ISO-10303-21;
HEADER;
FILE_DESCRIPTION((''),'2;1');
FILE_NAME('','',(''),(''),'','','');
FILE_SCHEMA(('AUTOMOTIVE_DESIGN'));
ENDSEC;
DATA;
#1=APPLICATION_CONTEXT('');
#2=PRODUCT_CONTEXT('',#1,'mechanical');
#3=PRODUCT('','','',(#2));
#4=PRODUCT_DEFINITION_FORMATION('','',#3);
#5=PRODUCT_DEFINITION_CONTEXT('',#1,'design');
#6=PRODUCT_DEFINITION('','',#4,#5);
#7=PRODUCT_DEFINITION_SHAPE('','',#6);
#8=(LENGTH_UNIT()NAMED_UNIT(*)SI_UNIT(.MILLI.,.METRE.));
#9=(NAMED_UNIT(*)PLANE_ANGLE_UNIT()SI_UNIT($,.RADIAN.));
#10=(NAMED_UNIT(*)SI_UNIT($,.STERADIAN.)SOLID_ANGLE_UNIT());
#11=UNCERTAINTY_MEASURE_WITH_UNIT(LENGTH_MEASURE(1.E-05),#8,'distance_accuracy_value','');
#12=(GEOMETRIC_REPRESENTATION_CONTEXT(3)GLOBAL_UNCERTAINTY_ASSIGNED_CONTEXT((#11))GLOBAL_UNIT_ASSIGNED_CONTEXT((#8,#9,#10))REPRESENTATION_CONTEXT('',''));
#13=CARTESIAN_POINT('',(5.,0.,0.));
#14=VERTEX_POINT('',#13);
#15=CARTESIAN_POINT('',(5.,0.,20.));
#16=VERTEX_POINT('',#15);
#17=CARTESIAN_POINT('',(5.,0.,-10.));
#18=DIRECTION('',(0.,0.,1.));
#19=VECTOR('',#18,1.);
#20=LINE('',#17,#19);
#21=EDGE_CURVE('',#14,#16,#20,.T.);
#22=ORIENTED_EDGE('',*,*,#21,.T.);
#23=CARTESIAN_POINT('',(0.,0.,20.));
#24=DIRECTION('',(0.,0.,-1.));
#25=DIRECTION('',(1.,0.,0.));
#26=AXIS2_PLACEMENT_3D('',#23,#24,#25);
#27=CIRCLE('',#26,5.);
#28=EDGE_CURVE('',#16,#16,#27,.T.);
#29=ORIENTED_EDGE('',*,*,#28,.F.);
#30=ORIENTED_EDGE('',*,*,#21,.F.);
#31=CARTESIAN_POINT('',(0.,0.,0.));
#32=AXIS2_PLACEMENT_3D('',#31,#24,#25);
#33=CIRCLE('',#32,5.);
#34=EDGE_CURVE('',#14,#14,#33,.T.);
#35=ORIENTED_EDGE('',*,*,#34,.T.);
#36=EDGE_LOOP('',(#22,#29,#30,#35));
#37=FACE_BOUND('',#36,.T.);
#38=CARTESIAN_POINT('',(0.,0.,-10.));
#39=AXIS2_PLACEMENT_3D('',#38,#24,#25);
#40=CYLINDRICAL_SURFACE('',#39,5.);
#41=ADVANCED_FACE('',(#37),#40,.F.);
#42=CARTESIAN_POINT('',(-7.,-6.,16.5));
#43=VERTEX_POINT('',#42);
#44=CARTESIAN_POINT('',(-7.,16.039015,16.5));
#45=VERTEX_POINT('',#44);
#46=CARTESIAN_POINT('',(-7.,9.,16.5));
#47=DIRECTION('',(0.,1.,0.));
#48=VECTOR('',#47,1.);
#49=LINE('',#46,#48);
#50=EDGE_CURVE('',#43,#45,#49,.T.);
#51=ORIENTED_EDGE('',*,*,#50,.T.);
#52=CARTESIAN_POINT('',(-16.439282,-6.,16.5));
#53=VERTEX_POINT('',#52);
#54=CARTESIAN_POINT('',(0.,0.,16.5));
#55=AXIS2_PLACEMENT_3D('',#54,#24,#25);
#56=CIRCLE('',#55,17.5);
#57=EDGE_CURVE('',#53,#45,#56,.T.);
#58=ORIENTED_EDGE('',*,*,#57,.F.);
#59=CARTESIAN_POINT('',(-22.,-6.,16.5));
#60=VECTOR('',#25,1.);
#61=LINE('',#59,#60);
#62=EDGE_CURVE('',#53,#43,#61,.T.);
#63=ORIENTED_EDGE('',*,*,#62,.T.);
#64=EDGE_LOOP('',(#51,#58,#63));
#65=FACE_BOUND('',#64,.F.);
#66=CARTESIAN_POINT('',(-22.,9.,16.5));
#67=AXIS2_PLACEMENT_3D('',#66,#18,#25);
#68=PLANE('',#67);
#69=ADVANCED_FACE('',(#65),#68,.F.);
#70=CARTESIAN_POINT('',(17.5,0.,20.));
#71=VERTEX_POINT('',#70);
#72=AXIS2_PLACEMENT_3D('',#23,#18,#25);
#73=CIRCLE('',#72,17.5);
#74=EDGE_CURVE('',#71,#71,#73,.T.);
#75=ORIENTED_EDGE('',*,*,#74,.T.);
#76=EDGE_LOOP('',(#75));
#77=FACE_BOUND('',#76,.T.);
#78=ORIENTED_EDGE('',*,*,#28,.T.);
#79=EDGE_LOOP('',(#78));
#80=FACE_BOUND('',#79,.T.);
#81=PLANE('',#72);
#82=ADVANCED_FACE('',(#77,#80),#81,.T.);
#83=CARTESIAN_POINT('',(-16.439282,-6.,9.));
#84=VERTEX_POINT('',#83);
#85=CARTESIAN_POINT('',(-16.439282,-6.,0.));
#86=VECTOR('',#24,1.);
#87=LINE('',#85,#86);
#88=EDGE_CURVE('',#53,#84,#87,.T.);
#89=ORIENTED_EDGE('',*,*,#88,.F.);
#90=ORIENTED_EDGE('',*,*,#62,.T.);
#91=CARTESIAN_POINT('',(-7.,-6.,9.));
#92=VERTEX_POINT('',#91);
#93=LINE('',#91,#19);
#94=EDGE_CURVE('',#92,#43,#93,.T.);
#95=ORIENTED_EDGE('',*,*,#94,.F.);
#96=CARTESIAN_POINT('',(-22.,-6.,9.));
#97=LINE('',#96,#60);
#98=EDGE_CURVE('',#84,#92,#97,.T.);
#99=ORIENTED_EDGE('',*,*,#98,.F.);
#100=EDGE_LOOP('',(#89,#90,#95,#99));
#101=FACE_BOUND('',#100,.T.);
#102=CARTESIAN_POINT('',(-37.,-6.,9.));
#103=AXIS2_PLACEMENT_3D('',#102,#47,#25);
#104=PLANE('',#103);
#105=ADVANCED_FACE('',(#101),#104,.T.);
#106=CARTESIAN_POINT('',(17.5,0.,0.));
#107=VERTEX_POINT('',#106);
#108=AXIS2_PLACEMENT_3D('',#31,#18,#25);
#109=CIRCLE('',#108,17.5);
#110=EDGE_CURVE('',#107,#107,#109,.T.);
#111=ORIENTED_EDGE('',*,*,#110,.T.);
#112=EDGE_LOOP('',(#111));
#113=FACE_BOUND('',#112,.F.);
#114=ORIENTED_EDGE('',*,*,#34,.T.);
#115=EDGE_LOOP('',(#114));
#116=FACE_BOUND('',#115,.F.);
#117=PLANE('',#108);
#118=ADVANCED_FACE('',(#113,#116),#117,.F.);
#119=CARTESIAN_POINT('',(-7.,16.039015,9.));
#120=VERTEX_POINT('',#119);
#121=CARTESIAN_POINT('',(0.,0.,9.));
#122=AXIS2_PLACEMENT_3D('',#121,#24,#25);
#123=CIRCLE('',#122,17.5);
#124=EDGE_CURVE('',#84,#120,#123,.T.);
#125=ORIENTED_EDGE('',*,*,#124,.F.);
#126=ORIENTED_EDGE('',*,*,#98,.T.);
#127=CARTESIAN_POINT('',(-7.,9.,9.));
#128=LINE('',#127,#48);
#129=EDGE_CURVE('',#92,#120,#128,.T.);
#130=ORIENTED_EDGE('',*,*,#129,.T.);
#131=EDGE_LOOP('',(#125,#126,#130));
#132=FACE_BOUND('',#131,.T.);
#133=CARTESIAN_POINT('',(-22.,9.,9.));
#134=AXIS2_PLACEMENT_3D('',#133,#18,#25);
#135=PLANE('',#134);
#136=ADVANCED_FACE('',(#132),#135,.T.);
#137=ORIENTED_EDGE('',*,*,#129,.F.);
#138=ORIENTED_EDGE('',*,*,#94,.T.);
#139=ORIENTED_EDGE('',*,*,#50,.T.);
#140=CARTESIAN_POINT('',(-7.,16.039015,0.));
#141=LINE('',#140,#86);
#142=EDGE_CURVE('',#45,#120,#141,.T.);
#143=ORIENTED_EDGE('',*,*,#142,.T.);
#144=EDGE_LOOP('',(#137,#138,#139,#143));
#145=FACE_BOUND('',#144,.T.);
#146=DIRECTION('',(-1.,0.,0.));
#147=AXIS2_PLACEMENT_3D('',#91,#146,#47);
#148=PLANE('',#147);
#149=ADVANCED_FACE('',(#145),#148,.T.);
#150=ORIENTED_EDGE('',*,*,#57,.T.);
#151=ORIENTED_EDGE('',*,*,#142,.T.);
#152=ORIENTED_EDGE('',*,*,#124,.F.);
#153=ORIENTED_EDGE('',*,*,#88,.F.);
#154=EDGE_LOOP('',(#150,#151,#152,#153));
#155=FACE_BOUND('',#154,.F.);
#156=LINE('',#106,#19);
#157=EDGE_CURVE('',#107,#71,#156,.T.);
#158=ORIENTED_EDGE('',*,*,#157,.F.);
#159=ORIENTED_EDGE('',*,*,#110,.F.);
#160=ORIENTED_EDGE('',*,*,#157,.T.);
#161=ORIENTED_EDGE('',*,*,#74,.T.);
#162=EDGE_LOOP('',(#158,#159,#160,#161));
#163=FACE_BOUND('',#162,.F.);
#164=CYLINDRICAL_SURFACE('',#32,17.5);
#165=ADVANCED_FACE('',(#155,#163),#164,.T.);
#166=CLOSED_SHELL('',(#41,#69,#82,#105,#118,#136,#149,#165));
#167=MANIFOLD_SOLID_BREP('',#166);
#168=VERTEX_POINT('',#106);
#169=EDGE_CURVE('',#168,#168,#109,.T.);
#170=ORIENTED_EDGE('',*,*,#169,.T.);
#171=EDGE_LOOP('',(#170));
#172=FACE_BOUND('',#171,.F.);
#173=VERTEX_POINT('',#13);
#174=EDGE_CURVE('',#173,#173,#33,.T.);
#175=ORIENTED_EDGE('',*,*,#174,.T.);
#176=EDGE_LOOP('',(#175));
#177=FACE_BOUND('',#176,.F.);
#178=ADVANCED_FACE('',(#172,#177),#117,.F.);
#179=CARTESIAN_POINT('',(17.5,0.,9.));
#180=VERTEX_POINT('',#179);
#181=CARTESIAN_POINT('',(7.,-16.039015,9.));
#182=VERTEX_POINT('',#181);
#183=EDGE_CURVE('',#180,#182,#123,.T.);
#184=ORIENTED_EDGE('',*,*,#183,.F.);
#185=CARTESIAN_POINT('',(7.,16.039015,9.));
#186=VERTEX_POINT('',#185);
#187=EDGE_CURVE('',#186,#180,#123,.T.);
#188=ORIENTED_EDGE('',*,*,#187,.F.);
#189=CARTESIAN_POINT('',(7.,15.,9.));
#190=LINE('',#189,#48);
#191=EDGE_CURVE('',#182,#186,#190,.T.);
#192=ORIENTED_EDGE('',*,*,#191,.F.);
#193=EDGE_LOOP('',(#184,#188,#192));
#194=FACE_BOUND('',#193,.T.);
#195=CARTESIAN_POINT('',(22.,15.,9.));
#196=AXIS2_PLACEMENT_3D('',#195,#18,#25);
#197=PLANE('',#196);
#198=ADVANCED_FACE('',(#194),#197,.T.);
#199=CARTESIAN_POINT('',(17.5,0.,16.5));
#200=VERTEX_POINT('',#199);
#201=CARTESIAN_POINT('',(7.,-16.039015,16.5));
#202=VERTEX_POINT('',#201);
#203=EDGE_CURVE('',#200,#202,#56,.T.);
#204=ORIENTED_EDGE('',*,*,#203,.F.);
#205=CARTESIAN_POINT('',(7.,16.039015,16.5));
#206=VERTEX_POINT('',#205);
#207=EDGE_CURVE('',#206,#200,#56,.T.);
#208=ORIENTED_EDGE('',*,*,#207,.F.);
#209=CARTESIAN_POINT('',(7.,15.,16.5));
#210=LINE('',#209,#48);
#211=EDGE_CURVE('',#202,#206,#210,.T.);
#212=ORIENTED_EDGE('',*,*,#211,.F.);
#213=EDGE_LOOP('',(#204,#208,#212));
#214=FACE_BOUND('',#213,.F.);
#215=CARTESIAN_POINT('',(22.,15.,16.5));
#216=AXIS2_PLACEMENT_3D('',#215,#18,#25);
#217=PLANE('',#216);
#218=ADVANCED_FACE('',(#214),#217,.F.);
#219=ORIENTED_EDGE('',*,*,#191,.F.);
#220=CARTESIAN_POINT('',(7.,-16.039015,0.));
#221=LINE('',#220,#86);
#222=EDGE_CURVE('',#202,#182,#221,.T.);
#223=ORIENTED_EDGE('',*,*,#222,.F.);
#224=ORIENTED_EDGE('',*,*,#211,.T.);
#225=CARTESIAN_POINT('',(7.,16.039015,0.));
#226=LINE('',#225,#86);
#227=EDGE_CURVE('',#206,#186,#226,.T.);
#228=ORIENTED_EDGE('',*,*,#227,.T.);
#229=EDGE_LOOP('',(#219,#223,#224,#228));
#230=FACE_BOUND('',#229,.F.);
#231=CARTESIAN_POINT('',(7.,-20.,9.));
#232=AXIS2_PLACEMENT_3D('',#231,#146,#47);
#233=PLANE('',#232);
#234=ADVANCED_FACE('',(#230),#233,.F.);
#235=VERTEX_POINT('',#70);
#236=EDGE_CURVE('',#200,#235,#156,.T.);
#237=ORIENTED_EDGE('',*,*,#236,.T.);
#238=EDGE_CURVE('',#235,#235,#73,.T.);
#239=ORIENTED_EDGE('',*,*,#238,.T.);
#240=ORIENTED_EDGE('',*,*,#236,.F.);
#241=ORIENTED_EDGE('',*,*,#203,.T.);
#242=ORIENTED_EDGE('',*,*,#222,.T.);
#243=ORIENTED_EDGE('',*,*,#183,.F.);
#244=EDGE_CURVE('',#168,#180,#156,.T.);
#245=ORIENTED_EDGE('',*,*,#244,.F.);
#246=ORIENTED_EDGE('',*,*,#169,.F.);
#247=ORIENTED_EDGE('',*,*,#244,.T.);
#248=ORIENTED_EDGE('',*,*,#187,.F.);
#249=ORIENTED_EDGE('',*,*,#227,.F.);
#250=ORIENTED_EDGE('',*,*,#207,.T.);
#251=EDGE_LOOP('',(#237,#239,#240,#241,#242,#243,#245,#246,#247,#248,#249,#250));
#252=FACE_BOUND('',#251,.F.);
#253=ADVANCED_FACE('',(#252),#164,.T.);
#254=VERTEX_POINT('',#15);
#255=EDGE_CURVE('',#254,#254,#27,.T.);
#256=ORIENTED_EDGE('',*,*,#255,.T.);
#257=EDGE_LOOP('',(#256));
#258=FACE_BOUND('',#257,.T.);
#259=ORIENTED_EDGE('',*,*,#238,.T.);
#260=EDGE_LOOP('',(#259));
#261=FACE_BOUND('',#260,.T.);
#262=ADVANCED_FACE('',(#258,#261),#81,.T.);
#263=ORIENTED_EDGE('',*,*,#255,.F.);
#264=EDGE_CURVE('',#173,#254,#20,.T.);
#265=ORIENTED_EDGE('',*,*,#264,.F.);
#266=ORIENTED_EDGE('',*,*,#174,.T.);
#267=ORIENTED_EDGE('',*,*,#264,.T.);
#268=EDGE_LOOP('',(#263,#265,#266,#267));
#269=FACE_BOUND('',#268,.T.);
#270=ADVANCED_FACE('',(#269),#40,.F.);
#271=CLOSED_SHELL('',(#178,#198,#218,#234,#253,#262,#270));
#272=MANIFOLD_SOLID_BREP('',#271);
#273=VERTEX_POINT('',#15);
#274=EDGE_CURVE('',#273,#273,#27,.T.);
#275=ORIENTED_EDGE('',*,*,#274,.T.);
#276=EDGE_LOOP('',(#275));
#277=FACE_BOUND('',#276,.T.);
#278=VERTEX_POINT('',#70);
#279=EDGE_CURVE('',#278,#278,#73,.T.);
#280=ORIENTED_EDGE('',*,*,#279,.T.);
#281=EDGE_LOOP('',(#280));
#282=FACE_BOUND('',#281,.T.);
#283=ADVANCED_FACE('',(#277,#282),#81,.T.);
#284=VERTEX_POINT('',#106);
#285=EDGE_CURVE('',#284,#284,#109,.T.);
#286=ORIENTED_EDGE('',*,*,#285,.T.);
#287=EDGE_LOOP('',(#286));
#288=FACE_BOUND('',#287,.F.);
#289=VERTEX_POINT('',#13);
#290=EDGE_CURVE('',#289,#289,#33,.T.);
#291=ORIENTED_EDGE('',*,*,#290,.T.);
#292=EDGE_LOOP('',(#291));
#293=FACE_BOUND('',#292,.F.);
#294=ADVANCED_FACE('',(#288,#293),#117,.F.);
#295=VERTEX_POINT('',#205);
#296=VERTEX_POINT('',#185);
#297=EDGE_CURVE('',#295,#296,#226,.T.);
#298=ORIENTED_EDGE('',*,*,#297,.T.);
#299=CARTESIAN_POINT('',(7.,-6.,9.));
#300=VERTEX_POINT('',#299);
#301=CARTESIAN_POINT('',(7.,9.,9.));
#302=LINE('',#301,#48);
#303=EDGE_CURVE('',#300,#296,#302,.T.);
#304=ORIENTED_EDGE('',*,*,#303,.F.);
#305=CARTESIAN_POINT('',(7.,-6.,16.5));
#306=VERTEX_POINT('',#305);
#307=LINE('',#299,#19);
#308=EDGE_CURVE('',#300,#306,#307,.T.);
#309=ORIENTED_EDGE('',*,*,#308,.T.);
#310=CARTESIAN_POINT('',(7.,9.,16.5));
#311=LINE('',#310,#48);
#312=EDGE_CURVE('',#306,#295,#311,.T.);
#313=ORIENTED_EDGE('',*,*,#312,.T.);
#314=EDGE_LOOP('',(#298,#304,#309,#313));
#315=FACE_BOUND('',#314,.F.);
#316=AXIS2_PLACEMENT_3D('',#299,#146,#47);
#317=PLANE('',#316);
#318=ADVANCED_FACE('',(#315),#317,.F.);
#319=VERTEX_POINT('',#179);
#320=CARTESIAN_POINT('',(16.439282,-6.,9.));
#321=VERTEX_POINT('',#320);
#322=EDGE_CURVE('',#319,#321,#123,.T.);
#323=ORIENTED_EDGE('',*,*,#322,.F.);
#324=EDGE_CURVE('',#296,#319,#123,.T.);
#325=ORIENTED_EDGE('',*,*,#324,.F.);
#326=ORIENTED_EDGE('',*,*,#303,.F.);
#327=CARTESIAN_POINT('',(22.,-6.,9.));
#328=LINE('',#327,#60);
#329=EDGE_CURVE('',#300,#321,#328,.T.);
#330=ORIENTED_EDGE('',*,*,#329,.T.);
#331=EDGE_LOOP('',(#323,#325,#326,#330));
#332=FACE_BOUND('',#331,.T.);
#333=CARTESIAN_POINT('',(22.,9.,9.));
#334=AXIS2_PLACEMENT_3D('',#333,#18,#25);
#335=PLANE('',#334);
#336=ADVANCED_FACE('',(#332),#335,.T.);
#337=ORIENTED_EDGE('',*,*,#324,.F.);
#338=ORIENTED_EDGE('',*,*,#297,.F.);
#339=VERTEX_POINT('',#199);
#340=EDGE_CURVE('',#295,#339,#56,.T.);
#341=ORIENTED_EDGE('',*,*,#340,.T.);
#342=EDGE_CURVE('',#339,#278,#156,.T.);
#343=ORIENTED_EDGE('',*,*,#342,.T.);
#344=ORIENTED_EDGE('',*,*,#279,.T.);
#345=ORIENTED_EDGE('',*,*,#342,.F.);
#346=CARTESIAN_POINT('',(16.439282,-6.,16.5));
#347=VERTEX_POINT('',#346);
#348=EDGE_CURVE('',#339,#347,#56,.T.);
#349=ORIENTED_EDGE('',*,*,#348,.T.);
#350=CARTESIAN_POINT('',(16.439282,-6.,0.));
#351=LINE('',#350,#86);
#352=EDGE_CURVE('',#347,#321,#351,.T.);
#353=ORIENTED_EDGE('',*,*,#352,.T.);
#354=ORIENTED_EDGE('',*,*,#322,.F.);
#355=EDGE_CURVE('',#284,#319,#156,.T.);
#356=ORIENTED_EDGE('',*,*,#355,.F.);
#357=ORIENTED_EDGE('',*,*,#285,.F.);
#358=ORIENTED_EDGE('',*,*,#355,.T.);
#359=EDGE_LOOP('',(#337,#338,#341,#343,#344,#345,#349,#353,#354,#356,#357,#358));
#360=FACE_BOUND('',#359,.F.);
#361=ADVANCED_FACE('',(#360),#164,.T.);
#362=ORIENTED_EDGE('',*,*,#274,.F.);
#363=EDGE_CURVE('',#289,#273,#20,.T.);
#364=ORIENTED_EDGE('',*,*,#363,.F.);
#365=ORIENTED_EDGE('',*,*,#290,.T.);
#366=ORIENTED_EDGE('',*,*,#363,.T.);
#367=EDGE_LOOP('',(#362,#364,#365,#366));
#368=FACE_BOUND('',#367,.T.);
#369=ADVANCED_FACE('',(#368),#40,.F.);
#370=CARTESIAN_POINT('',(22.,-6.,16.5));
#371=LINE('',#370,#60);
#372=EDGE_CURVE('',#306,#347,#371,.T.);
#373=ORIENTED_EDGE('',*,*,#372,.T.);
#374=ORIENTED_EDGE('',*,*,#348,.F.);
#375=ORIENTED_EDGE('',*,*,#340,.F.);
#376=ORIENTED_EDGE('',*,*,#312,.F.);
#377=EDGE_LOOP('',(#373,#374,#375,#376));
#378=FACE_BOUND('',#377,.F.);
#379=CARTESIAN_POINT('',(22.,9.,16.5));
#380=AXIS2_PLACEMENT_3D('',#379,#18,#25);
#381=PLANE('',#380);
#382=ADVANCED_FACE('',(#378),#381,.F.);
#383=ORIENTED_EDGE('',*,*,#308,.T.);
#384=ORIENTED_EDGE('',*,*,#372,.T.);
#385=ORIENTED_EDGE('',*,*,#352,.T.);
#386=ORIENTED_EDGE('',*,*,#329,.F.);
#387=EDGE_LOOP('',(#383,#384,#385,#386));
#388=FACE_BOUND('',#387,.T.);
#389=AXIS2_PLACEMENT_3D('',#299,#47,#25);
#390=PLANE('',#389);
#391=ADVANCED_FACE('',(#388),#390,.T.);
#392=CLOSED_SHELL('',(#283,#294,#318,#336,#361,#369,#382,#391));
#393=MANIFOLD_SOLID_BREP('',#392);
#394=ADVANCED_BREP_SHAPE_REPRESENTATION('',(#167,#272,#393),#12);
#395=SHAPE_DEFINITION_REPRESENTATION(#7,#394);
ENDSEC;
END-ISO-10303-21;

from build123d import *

# Parameters (mm, degrees)
BOX_W             = 30
BOX_H             = 30
BOX_DEPTH         = 7.5
CYLINDER001_R     = 5
CYLINDER001_DEPTH = 40
CYLINDER_R        = 17.5
CYLINDER_DEPTH    = 20
BOX001_W          = 30
BOX001_H          = 70
BOX001_DEPTH      = 7.5
CYLINDER003_R     = 5
CYLINDER003_DEPTH = 40
CYLINDER002_R     = 17.5
CYLINDER002_DEPTH = 20
BOX002_W          = 30
BOX002_H          = 30
BOX002_DEPTH      = 7.5
CYLINDER005_R     = 5
CYLINDER005_DEPTH = 40
CYLINDER004_R     = 17.5
CYLINDER004_DEPTH = 20


with BuildPart() as cube:
    # Box → Box (new body)
    with BuildSketch(Plane(origin=(7, -6, 9), x_dir=(1, 0, 0), z_dir=(0, 0, 1))):
        with Locations((15, 15)):
            Rectangle(BOX_W, BOX_H)
    extrude(amount=BOX_DEPTH)


with BuildPart() as cylinder001:
    # Cylinder001 → Cylinder001 (new body)
    with BuildSketch(Plane.XY.offset(-10)):
        Circle(CYLINDER001_R)
    extrude(amount=CYLINDER001_DEPTH)


with BuildPart() as mount_bottom_r:
    # Cylinder → Cylinder (new body)
    with BuildSketch(Plane.XY):
        Circle(CYLINDER_R)
    extrude(amount=CYLINDER_DEPTH)

    # Cut: cut Cylinder001
    add(cylinder001.part, mode=Mode.SUBTRACT)

    # Cut001: cut Cube
    add(cube.part, mode=Mode.SUBTRACT)


with BuildPart() as cube001:
    # Box001 → Box001 (new body)
    with BuildSketch(Plane(origin=(7, -20, 9), x_dir=(1, 0, 0), z_dir=(0, 0, 1))):
        with Locations((15, 35)):
            Rectangle(BOX001_W, BOX001_H)
    extrude(amount=BOX001_DEPTH)


with BuildPart() as cylinder003:
    # Cylinder003 → Cylinder003 (new body)
    with BuildSketch(Plane.XY.offset(-10)):
        Circle(CYLINDER003_R)
    extrude(amount=CYLINDER003_DEPTH)


with BuildPart() as mount_top_l_r:
    # Cylinder002 → Cylinder002 (new body)
    with BuildSketch(Plane.XY):
        Circle(CYLINDER002_R)
    extrude(amount=CYLINDER002_DEPTH)

    # Cut002: cut Cylinder003
    add(cylinder003.part, mode=Mode.SUBTRACT)

    # Cut003: cut Cube001
    add(cube001.part, mode=Mode.SUBTRACT)


with BuildPart() as cube002:
    # Box002 → Box002 (new body)
    with BuildSketch(Plane(origin=(-37, -6, 9), x_dir=(1, 0, 0), z_dir=(0, 0, 1))):
        with Locations((15, 15)):
            Rectangle(BOX002_W, BOX002_H)
    extrude(amount=BOX002_DEPTH)


with BuildPart() as cylinder005:
    # Cylinder005 → Cylinder005 (new body)
    with BuildSketch(Plane.XY.offset(-10)):
        Circle(CYLINDER005_R)
    extrude(amount=CYLINDER005_DEPTH)


with BuildPart() as mount_bottom_l:
    # Cylinder004 → Cylinder004 (new body)
    with BuildSketch(Plane.XY):
        Circle(CYLINDER004_R)
    extrude(amount=CYLINDER004_DEPTH)

    # Cut004: cut Cylinder005
    add(cylinder005.part, mode=Mode.SUBTRACT)

    # Cut005: cut Cube002
    add(cube002.part, mode=Mode.SUBTRACT)


solid = Compound([mount_bottom_r.part, mount_top_l_r.part, mount_bottom_l.part])
